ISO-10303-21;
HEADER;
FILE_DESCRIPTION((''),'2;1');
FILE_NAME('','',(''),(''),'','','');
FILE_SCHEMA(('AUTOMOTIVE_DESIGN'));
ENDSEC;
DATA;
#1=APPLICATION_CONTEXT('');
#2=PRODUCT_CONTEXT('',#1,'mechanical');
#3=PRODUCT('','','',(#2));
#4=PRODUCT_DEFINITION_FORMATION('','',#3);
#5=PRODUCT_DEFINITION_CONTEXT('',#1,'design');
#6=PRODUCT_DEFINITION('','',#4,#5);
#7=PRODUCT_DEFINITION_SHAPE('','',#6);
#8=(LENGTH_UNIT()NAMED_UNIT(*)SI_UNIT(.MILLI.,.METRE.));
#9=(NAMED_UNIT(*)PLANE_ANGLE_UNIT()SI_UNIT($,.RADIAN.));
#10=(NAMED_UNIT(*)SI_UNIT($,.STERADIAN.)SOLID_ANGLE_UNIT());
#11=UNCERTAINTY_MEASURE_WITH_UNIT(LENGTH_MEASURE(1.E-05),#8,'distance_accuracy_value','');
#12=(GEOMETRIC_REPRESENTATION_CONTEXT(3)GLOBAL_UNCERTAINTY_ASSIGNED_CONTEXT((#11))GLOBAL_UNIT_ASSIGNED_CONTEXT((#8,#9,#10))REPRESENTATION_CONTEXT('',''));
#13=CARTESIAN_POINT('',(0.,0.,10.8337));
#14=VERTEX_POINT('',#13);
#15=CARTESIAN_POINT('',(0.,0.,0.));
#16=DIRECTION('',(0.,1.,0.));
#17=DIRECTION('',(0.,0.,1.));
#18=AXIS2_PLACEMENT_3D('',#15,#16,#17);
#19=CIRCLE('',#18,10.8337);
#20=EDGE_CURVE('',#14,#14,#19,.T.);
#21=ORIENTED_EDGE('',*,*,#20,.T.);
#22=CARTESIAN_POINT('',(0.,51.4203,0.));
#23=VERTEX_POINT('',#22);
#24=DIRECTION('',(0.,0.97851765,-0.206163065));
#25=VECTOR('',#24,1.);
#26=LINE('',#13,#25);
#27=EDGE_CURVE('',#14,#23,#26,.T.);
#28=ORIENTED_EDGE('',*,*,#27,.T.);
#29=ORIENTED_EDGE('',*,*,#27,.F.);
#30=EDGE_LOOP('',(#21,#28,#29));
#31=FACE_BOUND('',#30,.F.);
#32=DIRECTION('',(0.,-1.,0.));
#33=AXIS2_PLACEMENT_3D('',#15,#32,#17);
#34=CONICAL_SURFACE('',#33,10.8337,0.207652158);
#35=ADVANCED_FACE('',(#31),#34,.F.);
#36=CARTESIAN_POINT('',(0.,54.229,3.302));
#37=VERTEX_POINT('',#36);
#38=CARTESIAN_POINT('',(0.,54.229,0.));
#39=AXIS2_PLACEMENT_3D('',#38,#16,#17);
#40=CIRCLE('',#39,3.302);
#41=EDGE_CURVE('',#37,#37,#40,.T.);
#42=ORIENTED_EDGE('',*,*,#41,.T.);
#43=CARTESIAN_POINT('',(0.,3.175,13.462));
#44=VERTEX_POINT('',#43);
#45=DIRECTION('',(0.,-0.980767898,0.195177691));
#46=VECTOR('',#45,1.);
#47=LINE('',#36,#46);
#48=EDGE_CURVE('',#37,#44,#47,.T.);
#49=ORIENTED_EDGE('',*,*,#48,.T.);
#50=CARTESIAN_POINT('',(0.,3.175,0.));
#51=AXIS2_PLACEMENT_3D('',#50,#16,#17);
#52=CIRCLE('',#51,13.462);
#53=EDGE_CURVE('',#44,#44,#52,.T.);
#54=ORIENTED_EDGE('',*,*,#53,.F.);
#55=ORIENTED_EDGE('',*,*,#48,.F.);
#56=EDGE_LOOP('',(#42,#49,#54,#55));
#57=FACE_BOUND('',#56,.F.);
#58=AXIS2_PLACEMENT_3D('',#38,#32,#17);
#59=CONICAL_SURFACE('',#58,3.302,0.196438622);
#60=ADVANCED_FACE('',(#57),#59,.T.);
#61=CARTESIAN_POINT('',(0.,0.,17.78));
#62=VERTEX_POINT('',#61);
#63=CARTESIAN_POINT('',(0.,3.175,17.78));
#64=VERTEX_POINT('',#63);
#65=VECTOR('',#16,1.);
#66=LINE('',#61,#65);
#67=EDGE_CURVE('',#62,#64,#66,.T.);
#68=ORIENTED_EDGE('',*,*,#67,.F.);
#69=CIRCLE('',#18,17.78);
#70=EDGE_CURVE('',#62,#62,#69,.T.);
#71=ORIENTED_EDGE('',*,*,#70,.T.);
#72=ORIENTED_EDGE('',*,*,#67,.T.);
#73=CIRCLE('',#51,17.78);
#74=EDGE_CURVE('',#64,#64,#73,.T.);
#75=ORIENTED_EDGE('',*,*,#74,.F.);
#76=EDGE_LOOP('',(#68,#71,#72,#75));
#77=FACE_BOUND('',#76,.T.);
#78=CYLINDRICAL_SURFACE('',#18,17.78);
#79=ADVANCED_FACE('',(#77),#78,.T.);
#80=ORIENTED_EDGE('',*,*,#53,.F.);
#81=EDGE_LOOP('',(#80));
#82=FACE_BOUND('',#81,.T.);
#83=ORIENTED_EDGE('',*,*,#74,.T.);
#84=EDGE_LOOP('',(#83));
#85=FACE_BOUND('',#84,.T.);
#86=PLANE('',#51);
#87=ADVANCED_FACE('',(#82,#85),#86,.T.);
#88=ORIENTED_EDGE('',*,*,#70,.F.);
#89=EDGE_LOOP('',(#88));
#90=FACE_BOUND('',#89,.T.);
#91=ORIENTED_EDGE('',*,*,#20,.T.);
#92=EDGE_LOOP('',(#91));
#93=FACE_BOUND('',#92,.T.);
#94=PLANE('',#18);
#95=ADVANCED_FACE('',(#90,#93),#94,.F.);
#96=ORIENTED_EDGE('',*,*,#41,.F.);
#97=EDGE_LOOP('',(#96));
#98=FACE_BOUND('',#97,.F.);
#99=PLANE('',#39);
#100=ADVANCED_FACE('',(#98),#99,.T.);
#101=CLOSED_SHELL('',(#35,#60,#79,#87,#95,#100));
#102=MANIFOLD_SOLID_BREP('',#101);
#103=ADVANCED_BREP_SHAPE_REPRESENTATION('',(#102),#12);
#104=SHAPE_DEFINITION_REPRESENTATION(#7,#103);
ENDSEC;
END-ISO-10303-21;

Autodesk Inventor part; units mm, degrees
ref_plane "YZ Plane" through (0, 0, 0) normal (1, 0, 0) x (0, 1, 0)
ref_plane "XZ Plane" through (0, 0, 0) normal (0, 1, 0) x (-1, 0, 0)
ref_plane "XY Plane" through (0, 0, 0) normal (0, 0, 1) x (1, 0, 0)
sketch "Sketch1" plane through (0, 0, 0) normal (1, 0, 0) x (0, 1, 0)
  line L0 (0, 17.78) -> (3.175, 17.78)
  line L1 (3.175, 17.78) -> (3.175, 13.462)
  line L2 (0, 0) -> (54.229, 0)
  line L3 (0, 10.8337) -> (0, 17.78)
  line L4 (54.229, 0) -> (54.229, 3.302)
  line L5 (54.229, 3.302) -> (3.175, 13.462)
  line L6 (0, 10.8337) -> (51.4203, 0)
  dimension "d0" = 17.78
  dimension "d1" = 3.175
  dimension "d2" = 4.318
  dimension "d3" = 54.229
  dimension "d6" = 3.302
revolve "Revolution1" add sketch "Sketch1" angle 360 about axis through (0, 0, 0) along (0, 1, 0)
properties part number "nozzlebottomcone"
